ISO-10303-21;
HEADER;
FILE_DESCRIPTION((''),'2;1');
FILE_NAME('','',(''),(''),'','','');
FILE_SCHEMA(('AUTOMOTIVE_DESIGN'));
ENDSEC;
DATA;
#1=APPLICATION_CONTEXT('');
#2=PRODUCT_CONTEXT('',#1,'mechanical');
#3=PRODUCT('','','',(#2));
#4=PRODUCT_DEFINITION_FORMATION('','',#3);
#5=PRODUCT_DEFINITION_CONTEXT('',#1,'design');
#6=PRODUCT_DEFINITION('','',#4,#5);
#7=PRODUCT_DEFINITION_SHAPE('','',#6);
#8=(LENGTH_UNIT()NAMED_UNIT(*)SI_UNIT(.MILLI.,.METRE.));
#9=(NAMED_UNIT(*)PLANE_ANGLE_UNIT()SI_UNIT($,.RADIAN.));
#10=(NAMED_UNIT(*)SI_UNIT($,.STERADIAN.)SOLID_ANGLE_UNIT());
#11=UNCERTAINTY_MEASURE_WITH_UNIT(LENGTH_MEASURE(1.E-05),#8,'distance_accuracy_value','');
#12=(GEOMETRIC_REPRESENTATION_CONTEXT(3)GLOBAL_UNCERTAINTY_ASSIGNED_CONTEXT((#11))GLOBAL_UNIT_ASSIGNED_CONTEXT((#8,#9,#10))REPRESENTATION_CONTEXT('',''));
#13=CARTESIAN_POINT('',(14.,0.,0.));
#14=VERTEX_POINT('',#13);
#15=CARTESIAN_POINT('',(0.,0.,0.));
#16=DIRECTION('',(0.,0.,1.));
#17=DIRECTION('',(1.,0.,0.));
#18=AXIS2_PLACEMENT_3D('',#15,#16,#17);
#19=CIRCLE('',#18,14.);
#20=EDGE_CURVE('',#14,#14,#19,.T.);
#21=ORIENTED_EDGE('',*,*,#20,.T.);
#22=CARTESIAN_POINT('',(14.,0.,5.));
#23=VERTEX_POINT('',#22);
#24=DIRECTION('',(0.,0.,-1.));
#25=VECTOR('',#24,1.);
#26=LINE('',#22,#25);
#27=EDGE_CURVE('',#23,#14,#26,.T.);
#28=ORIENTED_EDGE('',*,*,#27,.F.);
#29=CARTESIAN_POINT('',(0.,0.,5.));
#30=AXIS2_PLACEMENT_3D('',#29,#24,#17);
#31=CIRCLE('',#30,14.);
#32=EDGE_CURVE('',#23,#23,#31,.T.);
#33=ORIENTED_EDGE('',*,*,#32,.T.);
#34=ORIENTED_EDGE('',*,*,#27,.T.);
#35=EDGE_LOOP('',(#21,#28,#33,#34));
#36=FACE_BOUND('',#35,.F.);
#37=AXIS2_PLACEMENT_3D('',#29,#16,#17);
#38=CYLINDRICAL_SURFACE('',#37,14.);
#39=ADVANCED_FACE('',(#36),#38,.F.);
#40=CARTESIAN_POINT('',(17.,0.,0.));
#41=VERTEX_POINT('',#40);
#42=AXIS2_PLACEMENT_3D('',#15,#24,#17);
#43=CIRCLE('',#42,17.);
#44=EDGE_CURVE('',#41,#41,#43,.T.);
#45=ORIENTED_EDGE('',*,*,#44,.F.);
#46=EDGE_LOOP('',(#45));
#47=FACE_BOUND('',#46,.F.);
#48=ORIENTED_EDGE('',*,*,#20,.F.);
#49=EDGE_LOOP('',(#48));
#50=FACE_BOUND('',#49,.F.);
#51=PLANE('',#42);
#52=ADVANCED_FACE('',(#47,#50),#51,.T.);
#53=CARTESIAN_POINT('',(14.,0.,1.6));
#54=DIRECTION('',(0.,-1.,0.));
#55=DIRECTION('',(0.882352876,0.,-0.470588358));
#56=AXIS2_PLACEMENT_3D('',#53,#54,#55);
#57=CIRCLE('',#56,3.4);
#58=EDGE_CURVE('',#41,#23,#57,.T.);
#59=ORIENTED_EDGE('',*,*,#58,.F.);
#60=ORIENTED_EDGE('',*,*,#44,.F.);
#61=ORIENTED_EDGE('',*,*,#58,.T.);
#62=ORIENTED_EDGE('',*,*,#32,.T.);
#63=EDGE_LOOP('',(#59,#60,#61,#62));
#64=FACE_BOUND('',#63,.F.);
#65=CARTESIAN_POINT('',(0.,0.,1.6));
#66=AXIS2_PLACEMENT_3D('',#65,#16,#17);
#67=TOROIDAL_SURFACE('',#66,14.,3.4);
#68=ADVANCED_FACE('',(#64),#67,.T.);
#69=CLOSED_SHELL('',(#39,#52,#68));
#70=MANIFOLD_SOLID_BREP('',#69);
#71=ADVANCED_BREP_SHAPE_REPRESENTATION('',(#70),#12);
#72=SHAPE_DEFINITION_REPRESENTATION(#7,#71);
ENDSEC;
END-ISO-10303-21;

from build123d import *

# Parameters (mm, degrees)
F2_R     = 14
F3_DEPTH = 25


with BuildPart() as f1:
    # F0 (on Front) → F1 (revolve)
    with BuildSketch(Plane.XZ):
        with BuildLine():
            Line((0, 5), (0, 0))
            Line((0, 0), (17, 0))
            ThreePointArc((17, 0), (16.915476, 3.349286), (14, 5))
            Line((14, 5), (0, 5))
        make_face()
    revolve(axis=Axis((0, 0, 2.5), (0, 0, -1)))

    # F2 (on face) → F3 (cut)
    with BuildSketch(Plane.XY.offset(5)):
        Circle(F2_R)
    extrude(amount=-F3_DEPTH, mode=Mode.SUBTRACT)


solid = f1.part
